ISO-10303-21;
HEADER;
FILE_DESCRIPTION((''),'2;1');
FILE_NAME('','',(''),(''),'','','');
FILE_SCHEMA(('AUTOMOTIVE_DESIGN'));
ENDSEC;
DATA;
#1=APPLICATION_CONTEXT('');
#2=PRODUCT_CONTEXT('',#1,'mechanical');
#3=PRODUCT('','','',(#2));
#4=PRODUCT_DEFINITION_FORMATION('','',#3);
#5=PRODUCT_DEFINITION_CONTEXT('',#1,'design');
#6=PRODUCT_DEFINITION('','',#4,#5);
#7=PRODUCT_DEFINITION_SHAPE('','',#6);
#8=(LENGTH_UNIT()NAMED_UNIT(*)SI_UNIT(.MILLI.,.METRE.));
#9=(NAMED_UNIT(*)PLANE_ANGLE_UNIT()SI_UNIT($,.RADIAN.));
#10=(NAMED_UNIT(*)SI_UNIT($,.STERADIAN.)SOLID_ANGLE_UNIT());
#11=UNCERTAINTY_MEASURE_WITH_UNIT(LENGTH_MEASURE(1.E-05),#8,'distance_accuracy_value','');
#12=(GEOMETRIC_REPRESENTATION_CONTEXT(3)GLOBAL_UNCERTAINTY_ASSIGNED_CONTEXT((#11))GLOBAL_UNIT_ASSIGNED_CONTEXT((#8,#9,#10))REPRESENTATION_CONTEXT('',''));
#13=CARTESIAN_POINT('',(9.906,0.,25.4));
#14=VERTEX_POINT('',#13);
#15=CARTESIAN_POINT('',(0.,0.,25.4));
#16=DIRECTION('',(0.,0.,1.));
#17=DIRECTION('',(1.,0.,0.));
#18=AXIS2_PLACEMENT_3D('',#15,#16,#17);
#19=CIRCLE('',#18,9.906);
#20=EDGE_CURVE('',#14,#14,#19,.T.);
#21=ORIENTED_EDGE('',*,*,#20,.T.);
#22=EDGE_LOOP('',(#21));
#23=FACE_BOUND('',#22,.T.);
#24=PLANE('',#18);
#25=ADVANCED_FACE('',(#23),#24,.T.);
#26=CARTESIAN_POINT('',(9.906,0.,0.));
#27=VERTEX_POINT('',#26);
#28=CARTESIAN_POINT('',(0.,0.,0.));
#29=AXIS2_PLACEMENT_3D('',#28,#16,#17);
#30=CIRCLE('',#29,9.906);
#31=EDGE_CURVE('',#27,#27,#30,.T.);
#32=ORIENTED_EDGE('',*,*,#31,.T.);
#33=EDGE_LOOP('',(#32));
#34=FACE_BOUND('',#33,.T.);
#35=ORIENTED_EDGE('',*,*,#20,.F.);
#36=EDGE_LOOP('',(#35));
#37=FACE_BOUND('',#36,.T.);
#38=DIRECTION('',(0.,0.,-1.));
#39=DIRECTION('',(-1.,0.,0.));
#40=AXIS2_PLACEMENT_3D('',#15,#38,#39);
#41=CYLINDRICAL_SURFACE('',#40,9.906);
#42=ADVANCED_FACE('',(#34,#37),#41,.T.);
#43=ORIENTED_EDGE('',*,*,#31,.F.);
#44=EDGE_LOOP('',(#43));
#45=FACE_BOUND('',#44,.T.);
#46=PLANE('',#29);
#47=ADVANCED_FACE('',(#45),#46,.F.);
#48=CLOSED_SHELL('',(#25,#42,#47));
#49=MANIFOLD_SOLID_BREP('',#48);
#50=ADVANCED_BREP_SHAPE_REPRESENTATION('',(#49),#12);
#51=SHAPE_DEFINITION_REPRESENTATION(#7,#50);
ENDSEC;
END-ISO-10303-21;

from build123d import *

# Parameters (mm, degrees)
SKETCH1_R           = 9.906
BOSS_EXTRUDE1_DEPTH = 25.4


with BuildPart() as part:
    # Sketch1 → Boss-Extrude1 (new body)
    with BuildSketch(Plane.XY):
        Circle(SKETCH1_R)
    extrude(amount=BOSS_EXTRUDE1_DEPTH)


solid = part.part
